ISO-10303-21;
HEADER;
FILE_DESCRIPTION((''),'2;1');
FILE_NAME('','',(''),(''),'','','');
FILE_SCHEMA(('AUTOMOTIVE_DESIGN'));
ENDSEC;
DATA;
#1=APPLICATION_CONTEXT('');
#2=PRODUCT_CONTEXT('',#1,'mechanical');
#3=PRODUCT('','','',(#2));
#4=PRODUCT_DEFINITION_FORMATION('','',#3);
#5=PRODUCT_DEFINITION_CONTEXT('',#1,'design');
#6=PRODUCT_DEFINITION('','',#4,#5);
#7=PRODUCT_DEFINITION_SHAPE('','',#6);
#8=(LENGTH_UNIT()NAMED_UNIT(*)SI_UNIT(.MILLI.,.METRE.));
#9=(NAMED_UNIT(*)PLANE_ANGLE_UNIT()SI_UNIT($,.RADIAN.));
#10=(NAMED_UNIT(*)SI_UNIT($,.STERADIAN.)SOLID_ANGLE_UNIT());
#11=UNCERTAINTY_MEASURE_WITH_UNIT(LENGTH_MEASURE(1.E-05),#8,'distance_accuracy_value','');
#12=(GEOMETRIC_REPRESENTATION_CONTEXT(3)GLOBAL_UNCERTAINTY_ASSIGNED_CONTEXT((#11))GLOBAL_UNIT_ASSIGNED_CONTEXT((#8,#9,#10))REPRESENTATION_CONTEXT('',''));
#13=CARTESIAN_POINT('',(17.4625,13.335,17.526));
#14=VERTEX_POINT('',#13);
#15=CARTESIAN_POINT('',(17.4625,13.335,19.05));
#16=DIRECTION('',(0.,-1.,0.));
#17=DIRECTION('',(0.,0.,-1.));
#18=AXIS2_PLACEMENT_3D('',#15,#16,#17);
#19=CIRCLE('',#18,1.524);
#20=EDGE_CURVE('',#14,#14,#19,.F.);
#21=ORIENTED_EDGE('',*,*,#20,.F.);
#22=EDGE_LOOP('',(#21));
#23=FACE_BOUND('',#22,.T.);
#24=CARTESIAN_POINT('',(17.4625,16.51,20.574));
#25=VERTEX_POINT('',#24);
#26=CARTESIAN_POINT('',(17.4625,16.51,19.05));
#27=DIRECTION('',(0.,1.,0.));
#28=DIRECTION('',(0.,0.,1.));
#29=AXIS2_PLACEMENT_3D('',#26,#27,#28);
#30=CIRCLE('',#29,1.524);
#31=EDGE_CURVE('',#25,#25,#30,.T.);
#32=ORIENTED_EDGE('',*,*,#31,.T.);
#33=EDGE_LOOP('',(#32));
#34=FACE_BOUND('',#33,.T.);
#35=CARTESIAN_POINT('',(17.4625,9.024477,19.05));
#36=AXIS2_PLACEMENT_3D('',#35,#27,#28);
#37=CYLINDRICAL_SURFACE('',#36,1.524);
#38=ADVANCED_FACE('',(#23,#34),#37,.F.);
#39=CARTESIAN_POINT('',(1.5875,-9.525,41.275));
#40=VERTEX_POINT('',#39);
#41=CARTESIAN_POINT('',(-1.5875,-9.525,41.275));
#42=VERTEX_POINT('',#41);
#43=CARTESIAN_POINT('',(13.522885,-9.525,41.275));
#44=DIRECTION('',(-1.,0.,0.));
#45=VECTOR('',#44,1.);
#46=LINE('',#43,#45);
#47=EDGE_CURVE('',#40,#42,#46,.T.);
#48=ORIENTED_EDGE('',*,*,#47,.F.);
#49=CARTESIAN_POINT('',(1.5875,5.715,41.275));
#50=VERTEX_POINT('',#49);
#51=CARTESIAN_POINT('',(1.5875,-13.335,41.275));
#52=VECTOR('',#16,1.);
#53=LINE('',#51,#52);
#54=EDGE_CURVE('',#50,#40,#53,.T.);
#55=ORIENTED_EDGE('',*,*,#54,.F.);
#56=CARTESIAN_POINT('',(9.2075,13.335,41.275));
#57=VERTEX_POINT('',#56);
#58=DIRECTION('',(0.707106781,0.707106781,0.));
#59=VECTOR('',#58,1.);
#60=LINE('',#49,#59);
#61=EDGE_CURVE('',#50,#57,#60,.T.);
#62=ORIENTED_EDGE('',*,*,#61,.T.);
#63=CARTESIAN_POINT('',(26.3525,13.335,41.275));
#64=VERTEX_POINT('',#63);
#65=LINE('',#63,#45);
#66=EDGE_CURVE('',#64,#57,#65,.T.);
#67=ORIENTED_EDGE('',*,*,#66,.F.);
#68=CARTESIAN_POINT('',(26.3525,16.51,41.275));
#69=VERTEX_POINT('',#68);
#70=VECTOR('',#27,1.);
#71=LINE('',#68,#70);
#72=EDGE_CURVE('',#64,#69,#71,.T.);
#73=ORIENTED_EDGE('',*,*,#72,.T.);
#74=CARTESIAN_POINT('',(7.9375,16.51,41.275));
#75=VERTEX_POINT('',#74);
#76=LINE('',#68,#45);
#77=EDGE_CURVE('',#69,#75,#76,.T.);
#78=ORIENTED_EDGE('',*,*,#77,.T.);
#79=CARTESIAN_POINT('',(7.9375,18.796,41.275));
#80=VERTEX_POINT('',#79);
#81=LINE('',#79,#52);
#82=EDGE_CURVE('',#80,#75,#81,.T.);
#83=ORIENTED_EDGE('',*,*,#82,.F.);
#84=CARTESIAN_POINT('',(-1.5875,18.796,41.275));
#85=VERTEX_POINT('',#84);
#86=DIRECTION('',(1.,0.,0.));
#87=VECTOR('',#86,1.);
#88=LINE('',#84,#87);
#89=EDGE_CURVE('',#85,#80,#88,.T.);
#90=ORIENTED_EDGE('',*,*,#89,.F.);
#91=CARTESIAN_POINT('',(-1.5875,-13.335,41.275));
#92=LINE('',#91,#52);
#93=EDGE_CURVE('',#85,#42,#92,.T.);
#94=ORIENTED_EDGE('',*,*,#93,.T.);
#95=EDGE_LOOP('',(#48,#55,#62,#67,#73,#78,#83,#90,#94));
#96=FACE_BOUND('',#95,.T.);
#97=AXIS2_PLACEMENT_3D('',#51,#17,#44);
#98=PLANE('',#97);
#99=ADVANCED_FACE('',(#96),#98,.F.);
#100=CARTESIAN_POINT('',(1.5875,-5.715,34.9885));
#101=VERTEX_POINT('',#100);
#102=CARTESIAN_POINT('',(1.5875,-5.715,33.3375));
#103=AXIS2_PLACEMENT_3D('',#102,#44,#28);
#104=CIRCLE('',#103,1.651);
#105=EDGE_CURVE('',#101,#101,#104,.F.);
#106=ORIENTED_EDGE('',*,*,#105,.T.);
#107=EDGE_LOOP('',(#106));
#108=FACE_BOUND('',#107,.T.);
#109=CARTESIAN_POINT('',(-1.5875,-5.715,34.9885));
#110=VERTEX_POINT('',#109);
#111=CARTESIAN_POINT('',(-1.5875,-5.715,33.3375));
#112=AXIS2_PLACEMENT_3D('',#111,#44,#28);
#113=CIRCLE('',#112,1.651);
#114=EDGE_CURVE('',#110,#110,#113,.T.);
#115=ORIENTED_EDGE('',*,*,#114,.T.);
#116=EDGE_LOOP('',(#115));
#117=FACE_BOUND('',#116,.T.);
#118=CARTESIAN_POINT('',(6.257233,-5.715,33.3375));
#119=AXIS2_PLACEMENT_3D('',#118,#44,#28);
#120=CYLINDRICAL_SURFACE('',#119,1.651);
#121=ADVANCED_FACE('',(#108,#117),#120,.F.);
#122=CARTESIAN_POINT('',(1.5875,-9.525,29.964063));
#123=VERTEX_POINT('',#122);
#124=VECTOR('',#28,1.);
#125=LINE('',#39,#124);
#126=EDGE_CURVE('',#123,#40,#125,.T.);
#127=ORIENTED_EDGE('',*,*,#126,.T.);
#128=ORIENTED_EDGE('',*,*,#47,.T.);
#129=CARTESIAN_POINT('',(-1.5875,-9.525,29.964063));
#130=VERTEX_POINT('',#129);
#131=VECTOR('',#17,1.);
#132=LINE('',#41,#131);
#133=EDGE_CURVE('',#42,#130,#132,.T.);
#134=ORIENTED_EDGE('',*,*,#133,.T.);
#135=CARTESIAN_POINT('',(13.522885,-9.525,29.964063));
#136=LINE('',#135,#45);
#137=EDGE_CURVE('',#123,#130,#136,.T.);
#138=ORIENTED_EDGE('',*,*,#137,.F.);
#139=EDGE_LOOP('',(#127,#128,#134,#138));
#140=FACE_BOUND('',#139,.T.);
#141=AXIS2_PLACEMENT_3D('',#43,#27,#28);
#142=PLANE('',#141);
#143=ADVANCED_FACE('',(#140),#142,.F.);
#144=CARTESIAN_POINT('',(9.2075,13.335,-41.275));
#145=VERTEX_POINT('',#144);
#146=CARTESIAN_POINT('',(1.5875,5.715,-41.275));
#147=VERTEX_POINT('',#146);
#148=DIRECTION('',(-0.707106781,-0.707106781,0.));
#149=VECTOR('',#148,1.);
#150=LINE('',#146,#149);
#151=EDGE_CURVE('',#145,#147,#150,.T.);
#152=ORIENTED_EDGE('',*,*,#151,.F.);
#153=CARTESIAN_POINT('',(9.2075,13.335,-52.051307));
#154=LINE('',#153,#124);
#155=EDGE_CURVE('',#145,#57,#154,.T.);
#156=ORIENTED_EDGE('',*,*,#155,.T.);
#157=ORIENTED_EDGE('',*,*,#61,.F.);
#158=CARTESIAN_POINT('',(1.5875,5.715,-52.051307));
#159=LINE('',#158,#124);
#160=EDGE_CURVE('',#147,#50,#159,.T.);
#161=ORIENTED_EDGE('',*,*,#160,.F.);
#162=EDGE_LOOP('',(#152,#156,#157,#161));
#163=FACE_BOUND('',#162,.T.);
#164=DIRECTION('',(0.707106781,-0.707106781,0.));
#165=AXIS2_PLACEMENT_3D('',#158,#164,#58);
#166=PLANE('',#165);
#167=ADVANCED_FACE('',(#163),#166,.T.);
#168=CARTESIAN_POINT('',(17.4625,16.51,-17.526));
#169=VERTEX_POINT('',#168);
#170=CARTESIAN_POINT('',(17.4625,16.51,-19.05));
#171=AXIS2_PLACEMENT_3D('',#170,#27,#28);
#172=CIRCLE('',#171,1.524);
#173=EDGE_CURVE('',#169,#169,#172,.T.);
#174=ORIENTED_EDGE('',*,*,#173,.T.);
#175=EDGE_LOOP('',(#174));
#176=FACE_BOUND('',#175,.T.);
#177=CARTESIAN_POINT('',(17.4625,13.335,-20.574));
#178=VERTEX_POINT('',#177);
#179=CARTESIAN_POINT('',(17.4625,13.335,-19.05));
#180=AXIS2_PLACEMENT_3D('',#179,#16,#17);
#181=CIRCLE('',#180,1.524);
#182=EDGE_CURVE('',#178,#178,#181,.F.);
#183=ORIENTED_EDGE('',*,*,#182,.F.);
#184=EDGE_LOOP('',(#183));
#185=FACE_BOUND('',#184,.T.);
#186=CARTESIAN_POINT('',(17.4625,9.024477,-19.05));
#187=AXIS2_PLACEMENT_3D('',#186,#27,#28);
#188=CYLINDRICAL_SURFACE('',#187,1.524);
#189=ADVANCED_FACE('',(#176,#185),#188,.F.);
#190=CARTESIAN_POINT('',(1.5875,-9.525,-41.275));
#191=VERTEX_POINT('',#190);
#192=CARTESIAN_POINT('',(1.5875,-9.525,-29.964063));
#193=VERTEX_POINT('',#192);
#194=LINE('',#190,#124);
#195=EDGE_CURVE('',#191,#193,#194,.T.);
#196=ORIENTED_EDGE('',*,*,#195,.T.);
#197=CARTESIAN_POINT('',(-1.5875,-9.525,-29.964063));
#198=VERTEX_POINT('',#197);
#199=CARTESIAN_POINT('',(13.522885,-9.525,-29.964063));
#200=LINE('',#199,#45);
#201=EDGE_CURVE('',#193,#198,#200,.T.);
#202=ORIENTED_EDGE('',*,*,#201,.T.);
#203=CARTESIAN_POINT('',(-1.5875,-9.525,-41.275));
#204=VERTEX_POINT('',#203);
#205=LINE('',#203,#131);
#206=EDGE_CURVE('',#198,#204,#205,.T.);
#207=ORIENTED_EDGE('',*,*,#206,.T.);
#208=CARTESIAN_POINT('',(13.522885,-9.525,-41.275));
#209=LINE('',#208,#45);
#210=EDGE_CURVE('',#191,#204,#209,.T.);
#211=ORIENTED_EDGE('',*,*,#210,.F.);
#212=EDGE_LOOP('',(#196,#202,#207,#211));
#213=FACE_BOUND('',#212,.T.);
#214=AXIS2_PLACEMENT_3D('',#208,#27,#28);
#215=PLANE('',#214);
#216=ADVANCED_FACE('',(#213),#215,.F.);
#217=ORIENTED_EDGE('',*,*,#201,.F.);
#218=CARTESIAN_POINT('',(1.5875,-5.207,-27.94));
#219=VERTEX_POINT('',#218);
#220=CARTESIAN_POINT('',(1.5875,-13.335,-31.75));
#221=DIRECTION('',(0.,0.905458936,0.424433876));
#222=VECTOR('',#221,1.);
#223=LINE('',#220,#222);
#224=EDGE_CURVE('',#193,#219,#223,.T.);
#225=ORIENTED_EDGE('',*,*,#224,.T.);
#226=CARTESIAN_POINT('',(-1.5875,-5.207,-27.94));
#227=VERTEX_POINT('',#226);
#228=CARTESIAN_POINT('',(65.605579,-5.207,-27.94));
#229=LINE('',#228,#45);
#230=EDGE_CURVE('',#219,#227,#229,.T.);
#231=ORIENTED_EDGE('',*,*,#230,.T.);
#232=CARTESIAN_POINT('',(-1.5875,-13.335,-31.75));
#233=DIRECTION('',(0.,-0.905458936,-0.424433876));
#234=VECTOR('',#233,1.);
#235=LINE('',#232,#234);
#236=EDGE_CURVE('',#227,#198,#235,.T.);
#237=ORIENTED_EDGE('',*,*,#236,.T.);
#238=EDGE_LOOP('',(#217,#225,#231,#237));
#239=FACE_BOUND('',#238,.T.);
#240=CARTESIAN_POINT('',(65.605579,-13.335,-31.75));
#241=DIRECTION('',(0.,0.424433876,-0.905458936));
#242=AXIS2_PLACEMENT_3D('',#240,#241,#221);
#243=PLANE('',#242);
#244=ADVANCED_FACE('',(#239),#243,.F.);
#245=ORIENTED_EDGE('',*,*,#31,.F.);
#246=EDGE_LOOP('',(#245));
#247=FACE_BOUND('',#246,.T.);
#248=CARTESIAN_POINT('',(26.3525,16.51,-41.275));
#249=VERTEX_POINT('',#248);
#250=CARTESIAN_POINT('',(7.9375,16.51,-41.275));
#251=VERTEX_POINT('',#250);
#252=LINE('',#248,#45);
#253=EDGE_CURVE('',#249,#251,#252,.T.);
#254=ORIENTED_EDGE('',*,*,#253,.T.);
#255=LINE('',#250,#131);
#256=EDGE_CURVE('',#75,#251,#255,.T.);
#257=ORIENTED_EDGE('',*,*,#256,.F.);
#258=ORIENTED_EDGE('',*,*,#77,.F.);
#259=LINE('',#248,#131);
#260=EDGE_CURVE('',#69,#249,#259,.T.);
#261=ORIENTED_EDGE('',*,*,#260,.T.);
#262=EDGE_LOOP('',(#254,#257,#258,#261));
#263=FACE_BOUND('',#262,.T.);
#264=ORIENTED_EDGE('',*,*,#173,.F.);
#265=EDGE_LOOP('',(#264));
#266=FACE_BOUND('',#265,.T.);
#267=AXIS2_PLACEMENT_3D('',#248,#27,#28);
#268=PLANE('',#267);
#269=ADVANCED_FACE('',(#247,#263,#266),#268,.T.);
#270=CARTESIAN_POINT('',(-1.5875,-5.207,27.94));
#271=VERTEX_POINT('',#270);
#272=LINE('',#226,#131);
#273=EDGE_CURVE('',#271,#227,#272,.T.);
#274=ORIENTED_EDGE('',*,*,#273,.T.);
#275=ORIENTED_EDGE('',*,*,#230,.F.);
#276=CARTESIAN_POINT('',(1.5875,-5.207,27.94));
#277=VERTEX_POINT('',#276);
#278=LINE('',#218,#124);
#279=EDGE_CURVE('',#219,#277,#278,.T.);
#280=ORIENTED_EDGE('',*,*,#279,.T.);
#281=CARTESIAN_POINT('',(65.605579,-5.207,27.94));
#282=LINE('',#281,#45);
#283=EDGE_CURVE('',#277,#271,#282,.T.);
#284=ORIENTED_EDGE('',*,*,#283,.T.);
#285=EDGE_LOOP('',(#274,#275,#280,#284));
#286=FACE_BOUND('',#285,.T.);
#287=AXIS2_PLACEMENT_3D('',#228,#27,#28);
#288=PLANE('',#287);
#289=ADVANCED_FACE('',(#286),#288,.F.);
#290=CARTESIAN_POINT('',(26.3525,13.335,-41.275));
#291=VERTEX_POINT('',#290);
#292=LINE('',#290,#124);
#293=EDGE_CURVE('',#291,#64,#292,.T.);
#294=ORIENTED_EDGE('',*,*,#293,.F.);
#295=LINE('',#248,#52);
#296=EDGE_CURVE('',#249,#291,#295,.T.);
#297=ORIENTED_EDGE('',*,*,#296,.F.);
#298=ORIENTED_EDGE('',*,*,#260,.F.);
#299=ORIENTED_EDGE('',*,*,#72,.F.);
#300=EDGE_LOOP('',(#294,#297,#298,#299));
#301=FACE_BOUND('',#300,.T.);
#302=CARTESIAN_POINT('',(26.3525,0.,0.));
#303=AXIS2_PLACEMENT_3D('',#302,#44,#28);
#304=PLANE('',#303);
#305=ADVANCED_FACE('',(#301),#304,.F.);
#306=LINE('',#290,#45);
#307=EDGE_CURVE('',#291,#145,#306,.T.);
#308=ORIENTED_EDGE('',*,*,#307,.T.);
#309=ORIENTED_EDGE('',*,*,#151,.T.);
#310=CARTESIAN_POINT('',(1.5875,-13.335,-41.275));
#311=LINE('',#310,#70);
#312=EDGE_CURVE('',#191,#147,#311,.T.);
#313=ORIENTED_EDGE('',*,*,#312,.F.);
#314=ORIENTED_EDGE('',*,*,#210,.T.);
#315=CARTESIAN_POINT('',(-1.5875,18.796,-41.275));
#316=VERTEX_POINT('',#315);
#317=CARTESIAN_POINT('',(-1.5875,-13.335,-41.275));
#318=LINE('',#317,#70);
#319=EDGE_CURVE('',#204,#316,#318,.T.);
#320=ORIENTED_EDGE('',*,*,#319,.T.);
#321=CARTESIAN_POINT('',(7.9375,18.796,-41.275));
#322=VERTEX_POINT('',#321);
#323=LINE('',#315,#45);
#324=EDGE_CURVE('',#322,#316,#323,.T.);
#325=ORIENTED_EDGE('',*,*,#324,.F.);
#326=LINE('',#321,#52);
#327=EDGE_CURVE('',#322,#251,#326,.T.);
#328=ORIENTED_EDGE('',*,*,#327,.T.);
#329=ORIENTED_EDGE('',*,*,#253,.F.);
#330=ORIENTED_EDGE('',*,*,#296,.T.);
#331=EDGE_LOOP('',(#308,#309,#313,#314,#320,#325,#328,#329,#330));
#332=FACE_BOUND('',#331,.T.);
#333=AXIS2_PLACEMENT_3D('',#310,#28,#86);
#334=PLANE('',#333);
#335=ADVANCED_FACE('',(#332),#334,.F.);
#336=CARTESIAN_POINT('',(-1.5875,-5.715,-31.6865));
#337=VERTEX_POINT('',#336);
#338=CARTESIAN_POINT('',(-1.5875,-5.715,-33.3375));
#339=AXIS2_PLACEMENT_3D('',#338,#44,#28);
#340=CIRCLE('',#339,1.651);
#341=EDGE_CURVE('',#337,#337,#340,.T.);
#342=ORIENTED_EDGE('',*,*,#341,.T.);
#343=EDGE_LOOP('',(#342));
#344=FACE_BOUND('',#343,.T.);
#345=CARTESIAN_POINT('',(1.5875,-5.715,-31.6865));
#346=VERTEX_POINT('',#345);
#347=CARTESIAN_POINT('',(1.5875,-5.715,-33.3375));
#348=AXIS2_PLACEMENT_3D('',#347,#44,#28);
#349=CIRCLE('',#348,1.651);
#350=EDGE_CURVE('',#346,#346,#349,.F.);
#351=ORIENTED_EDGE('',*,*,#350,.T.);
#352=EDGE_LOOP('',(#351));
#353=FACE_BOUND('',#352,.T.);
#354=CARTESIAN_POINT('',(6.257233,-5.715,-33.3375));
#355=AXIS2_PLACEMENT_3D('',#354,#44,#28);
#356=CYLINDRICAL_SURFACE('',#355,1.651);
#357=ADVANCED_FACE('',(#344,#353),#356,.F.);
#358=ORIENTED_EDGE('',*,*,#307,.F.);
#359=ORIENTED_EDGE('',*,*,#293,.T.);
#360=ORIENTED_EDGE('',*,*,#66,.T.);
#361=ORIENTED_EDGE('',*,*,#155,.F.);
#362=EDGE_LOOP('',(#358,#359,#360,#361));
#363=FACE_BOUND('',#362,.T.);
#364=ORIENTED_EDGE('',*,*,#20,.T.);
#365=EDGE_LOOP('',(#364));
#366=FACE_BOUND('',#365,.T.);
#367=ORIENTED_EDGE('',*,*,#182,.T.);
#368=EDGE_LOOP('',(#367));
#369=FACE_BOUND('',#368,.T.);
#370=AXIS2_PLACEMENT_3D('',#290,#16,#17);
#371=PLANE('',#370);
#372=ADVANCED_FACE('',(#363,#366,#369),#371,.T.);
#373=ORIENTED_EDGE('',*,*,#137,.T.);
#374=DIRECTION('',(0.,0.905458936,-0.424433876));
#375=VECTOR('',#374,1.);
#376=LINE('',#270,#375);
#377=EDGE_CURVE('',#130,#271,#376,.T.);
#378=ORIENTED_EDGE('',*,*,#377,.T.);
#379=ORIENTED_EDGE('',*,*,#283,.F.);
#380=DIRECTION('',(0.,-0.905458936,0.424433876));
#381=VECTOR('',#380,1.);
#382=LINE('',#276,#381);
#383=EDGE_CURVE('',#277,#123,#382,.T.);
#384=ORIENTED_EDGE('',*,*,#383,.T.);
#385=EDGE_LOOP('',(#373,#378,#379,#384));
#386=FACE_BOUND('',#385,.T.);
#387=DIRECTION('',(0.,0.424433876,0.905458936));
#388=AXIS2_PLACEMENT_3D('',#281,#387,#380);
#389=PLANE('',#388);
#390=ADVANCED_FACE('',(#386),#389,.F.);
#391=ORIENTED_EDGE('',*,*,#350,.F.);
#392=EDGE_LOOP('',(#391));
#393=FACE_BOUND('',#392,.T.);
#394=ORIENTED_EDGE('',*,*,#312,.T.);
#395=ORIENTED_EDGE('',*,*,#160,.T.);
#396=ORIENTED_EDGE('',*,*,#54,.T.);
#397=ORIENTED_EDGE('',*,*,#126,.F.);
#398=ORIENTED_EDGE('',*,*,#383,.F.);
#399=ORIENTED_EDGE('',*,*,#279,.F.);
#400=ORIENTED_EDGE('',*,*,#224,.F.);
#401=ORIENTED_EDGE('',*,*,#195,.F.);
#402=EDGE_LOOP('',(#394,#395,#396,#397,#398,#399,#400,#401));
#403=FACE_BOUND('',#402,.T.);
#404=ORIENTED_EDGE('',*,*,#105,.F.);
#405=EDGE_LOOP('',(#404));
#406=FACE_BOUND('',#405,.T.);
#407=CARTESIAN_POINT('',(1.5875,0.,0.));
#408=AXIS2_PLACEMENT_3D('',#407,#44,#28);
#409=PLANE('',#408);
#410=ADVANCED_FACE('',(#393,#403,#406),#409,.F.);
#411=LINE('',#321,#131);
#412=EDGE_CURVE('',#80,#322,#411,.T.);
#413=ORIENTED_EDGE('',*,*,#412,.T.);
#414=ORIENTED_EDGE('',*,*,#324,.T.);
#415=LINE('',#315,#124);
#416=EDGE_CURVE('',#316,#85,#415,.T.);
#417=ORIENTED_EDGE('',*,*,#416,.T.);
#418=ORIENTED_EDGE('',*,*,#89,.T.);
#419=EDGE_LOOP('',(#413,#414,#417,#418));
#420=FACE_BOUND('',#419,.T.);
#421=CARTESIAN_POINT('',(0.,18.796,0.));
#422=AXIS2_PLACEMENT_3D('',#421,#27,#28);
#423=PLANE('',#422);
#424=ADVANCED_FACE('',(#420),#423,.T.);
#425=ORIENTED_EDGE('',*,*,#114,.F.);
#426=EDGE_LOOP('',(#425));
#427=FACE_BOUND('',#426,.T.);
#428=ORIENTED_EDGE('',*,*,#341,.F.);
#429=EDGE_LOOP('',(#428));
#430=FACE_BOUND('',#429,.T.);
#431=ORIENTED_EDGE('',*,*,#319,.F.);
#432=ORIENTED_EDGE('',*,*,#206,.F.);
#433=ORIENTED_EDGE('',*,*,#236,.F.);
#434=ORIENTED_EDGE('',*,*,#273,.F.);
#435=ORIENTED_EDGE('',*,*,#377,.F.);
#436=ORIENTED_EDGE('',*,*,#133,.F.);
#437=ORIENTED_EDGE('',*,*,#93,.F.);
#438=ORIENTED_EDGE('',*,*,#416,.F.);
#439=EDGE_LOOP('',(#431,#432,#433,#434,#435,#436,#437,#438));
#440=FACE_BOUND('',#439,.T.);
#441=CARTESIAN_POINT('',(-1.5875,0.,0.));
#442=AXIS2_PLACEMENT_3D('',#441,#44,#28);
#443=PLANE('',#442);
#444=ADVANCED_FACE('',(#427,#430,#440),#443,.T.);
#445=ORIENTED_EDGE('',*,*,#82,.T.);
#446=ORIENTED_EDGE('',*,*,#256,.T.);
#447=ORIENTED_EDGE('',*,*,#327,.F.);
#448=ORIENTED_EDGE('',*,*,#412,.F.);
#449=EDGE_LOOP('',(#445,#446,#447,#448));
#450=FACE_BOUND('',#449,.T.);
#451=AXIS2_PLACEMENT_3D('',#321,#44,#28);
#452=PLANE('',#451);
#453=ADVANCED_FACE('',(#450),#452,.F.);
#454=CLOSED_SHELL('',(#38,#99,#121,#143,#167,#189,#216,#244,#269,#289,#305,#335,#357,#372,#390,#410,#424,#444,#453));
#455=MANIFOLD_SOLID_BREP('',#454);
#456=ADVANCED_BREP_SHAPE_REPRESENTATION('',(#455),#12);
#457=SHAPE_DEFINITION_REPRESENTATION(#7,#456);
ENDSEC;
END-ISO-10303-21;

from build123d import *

# Parameters (mm, degrees)
SKETCH1_W           = 82.55
SKETCH1_H           = 26.67
BOSS_EXTRUDE1_DEPTH = 1.5875
SKETCH2_R           = 1.651
SKETCH2_R_2         = 1.5875
CUT_EXTRUDE1_DEPTH  = 3.175
SKETCH5_W           = 82.55
SKETCH5_H           = 3.175
BOSS_EXTRUDE3_DEPTH = 27.94
SKETCH6_R           = 1.524
CUT_EXTRUDE3_DEPTH  = 3.175
CUT_EXTRUDE4_DEPTH  = 3.175
BOSS_EXTRUDE4_DEPTH = 82.55
CUT_EXTRUDE5_DEPTH  = 3.175
SKETCH10_W          = 9.525
SKETCH10_H          = 82.55
BOSS_EXTRUDE5_DEPTH = 2.286


with BuildPart() as part:
    # Sketch1 → Boss-Extrude1 (new, symmetric)
    with BuildSketch(Plane(origin=(0, 0, 0), x_dir=(0, 0, -1), z_dir=(1, 0, 0))):
        Rectangle(SKETCH1_W, SKETCH1_H)
    extrude(amount=BOSS_EXTRUDE1_DEPTH, both=True)

    # Sketch2 → Cut-Extrude1 (cut)
    with BuildSketch(Plane.ZY.offset(1.5875)):
        with Locations((33.3375, -5.715)):
            Circle(SKETCH2_R)
        with Locations((-33.3375, -5.715)):
            Circle(SKETCH2_R)
        with Locations((-26.4795, -10.16)):
            Circle(SKETCH2_R_2)
        with Locations((26.4795, -10.16)):
            Circle(SKETCH2_R_2)
    extrude(amount=-CUT_EXTRUDE1_DEPTH, mode=Mode.SUBTRACT)

    # Sketch5 → Boss-Extrude3 (add)
    with BuildSketch(Plane.ZY.offset(1.5875)):
        with Locations((0, 14.9225)):
            Rectangle(SKETCH5_W, SKETCH5_H)
    extrude(amount=-BOSS_EXTRUDE3_DEPTH)

    # Sketch6 → Cut-Extrude3 (cut)
    with BuildSketch(Plane(origin=(0, 16.51, 0), x_dir=(1, 0, 0), z_dir=(0, 1, 0))):
        with Locations(Location((17.4625, 19.05, 0), (0, 0, 270))):
            Circle(SKETCH6_R)
        with Locations(Location((17.4625, -19.05, 0), (0, 0, 270))):
            Circle(SKETCH6_R)
    extrude(amount=-CUT_EXTRUDE3_DEPTH, mode=Mode.SUBTRACT)

    # Sketch7 → Cut-Extrude4 (cut)
    with BuildSketch(Plane.ZY.offset(1.5875)):
        Polygon((-31.75, -13.335), (31.75, -13.335), (27.94, -5.207), (-27.94, -5.207), align=None)
    extrude(amount=-CUT_EXTRUDE4_DEPTH, mode=Mode.SUBTRACT)

    # Sketch8 → Boss-Extrude4 (add)
    with BuildSketch(Plane.XY.offset(41.275)):
        Polygon((1.5875, 13.335), (9.2075, 13.335), (1.5875, 5.715), align=None)
    extrude(amount=-BOSS_EXTRUDE4_DEPTH)

    # Sketch9 → Cut-Extrude5 (cut)
    with BuildSketch(Plane.ZY.offset(1.5875)):
        Polygon((-41.275, -13.335), (-41.275, -9.525), (-29.9640625, -9.525), (-31.75, -13.335), align=None)
        Polygon((41.275, -13.335), (41.275, -9.525), (29.9640625, -9.525), (31.75, -13.335), align=None)
    extrude(amount=-CUT_EXTRUDE5_DEPTH, mode=Mode.SUBTRACT)

    # Sketch10 → Boss-Extrude5 (add)
    with BuildSketch(Plane(origin=(0, 16.51, 0), x_dir=(1, 0, 0), z_dir=(0, 1, 0))):
        with Locations((3.175, 0)):
            Rectangle(SKETCH10_W, SKETCH10_H)
    extrude(amount=BOSS_EXTRUDE5_DEPTH)


solid = part.part
